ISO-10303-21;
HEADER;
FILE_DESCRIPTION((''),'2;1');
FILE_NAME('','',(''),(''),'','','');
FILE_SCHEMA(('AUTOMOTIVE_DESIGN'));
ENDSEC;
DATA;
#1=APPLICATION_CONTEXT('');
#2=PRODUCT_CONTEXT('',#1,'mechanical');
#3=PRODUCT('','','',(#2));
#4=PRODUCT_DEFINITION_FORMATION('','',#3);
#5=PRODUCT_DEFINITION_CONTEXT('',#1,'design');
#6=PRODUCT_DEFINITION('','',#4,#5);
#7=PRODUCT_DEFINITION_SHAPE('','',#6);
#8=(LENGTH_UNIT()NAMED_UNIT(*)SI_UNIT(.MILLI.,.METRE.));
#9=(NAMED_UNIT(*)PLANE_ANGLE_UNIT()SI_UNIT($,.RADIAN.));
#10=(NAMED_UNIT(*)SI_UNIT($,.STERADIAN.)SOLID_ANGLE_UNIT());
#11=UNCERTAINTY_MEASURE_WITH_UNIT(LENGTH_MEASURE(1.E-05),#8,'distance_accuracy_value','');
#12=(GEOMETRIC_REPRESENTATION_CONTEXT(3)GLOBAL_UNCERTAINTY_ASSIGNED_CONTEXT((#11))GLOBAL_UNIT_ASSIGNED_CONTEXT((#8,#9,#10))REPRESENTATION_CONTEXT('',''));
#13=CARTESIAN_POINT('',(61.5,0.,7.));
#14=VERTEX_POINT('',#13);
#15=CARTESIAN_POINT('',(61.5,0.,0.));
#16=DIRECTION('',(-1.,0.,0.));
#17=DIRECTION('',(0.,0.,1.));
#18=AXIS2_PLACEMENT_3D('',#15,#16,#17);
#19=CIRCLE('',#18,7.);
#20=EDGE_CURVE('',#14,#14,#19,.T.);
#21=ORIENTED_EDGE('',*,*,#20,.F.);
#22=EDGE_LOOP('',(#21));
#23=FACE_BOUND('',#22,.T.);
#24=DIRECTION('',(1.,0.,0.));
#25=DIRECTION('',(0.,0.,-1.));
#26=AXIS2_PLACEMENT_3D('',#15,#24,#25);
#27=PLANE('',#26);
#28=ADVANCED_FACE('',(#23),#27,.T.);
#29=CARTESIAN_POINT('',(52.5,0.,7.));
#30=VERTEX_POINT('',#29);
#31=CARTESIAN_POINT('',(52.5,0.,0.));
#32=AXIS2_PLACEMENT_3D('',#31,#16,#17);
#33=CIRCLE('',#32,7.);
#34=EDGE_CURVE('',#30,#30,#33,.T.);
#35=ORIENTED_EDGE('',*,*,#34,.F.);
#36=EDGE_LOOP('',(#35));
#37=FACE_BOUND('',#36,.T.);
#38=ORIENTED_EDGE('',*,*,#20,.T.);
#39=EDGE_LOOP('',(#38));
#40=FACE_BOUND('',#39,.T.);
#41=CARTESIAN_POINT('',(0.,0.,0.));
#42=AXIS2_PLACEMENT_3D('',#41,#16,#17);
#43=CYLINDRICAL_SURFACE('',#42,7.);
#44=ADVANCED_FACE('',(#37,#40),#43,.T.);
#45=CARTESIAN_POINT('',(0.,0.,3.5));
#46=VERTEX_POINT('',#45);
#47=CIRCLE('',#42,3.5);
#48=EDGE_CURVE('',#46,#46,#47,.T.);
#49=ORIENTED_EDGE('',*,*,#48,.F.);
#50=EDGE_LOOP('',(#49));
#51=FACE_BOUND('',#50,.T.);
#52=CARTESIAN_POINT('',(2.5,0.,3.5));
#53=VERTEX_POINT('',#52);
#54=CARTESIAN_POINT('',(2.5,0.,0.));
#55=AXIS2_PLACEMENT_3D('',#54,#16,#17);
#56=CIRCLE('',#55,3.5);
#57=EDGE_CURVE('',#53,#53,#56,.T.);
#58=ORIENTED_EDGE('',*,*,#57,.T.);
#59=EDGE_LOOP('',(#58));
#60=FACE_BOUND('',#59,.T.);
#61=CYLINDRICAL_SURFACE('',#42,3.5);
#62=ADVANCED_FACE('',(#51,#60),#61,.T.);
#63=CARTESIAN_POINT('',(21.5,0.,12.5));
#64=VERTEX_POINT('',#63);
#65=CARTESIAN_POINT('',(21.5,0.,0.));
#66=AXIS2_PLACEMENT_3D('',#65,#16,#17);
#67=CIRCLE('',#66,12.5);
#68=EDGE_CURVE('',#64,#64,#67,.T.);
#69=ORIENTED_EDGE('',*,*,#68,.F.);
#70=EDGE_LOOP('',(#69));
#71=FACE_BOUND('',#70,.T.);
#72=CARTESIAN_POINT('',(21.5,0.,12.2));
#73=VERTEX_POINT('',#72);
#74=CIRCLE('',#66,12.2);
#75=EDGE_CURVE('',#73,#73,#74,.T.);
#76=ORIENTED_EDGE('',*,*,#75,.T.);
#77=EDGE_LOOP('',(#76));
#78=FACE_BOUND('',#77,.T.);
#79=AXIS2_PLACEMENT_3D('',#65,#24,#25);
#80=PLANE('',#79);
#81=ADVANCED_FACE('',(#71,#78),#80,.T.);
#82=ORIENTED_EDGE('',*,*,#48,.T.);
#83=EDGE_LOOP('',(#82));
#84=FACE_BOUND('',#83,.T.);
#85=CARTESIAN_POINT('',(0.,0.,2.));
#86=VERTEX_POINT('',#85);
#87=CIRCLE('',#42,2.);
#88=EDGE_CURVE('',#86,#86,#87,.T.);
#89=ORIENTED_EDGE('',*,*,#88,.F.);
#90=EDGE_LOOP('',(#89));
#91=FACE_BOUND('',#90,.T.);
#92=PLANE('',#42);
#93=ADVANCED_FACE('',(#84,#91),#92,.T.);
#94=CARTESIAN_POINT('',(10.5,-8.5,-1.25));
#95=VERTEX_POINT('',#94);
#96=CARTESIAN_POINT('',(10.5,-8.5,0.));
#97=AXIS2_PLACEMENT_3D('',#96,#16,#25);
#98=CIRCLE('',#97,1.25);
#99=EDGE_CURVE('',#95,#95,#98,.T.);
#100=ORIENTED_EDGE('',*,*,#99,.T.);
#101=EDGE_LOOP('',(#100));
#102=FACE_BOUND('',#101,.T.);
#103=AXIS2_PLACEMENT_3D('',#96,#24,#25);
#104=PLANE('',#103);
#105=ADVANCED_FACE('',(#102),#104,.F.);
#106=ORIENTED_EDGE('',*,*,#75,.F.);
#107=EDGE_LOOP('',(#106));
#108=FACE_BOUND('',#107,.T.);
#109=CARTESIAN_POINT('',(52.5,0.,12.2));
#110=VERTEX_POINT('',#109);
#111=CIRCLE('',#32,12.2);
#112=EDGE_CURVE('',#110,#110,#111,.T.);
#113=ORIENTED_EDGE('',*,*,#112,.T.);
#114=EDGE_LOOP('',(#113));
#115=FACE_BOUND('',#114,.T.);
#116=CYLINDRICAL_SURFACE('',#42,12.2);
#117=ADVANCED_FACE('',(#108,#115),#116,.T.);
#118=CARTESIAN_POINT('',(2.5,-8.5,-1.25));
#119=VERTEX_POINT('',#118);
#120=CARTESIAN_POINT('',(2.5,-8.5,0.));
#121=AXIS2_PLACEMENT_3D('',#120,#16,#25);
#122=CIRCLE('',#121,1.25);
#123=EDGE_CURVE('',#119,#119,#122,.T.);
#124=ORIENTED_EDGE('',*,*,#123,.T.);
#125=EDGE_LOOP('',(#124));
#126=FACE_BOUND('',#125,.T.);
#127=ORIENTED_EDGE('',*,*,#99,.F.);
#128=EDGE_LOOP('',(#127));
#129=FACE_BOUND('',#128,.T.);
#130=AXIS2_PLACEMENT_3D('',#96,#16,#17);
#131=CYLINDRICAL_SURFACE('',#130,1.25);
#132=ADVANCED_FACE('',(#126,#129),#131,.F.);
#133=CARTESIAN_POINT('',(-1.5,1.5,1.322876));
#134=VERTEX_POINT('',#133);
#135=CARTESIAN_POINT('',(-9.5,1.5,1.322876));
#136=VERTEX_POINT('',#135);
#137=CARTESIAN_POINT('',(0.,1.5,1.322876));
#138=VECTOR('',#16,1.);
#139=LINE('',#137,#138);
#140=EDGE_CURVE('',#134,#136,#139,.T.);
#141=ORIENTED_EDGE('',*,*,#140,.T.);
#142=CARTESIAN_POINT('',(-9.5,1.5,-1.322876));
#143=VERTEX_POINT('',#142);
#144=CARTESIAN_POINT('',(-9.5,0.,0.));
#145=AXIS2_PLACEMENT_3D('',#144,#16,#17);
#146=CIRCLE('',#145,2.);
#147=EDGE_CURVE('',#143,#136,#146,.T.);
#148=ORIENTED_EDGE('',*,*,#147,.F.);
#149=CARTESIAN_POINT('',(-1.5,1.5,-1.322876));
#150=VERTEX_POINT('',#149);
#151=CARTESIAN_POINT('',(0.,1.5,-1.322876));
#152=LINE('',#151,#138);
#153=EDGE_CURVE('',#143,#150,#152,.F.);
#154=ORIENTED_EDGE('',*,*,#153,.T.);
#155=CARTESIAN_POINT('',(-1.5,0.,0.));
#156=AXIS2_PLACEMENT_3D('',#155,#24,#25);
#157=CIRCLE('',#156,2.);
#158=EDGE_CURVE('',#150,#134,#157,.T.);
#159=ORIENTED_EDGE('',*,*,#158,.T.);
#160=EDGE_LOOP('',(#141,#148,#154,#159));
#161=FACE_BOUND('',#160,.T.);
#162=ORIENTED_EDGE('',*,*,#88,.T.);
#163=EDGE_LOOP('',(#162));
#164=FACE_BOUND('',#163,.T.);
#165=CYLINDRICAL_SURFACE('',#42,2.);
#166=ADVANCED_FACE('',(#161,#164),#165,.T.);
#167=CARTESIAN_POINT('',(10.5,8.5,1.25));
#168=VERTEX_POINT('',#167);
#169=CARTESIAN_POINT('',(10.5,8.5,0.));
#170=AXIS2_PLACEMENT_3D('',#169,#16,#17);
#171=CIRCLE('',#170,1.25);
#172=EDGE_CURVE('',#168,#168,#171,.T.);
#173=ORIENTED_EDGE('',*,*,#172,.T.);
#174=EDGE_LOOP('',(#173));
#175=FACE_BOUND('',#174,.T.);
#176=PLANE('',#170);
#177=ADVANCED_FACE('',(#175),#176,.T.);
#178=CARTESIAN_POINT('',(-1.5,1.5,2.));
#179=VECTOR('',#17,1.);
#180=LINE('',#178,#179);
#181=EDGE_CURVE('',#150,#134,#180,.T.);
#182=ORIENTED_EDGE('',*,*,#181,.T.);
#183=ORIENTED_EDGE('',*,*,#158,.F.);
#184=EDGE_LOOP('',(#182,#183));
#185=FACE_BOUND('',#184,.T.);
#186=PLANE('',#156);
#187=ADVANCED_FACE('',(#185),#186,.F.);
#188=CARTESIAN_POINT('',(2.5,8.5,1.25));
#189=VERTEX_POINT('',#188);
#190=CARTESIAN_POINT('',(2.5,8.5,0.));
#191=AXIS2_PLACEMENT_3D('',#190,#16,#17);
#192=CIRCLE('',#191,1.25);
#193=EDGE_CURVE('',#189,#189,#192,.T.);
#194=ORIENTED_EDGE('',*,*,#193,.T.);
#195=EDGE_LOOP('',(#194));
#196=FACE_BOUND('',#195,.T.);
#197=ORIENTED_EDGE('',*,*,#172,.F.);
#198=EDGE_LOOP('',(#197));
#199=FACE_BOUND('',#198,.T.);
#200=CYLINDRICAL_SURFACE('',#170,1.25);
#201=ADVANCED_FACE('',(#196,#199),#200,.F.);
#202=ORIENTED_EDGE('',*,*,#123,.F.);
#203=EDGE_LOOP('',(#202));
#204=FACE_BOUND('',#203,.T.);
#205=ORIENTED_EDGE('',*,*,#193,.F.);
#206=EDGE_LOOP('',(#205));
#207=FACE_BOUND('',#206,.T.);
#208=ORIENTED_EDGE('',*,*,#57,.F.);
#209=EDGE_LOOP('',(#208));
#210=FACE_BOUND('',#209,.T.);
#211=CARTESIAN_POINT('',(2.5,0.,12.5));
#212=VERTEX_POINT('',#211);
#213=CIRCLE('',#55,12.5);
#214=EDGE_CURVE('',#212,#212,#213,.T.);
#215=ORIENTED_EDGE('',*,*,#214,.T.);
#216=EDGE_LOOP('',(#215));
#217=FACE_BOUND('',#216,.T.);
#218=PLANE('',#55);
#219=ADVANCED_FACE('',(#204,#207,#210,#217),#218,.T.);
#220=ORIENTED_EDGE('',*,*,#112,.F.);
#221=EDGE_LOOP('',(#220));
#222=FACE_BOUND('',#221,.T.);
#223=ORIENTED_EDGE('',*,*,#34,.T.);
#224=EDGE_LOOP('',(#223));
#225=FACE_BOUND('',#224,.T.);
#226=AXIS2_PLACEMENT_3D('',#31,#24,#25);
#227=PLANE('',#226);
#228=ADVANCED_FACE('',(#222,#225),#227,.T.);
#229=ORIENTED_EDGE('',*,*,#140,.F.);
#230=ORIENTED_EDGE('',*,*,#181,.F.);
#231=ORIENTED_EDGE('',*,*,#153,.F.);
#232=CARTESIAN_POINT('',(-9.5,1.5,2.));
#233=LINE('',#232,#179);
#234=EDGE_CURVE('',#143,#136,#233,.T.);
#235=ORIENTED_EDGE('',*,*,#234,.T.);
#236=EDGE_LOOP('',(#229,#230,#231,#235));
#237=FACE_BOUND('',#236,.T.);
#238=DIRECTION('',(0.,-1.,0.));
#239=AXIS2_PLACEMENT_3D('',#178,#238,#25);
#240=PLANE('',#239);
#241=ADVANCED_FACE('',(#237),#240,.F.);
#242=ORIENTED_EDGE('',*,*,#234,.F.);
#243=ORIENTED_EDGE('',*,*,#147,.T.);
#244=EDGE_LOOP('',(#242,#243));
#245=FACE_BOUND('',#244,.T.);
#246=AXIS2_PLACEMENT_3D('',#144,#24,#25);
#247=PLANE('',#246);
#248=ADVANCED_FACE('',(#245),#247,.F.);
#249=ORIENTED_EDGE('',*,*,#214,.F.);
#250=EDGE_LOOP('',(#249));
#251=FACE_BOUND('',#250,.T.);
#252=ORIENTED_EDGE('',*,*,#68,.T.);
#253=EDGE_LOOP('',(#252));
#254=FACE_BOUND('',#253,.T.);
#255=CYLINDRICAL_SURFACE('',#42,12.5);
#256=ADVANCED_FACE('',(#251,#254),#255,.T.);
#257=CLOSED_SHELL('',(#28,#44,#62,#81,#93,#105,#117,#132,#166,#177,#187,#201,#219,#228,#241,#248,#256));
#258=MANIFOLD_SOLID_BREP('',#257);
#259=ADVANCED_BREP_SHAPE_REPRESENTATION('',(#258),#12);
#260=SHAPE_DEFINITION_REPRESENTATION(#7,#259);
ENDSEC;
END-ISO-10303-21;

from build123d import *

# Parameters (mm, degrees)
SKETCH1_W          = 9.5
SKETCH1_H          = 2
SKETCH1_W_2        = 9
SKETCH1_H_2        = 7
SKETCH2_W          = 4
SKETCH2_H          = 0.5
CUT_EXTRUDE1_DEPTH = 8
SKETCH3_R          = 1.25
CUT_EXTRUDE2_DEPTH = 8


with BuildPart() as part:
    # Sketch1 → Revolve1 (revolve)
    with BuildSketch(Plane.XY, mode=Mode.PRIVATE) as revolve1_sk:
        with Locations((-4.75, 1)):
            Rectangle(SKETCH1_W, SKETCH1_H)
        Polygon((0, 2), (0, 0), (21.5, 0), (21.5, 12.2), (21.5, 12.5), (2.5, 12.5), (2.5, 3.5), (0, 3.5), align=None)
        Polygon((21.5, 12.2), (21.5, 0), (52.5, 0), (52.5, 7), (52.5, 12.2), align=None)
        with Locations((57, 3.5)):
            Rectangle(SKETCH1_W_2, SKETCH1_H_2)
    revolve(revolve1_sk.sketch.rotate(Axis((0, 0, 0), (1, 0, 0)), 90), axis=Axis((0, 0, 0), (1, 0, 0)))

    # Sketch2 → Cut-Extrude1 (cut)
    with BuildSketch(Plane.ZY.offset(9.5)):
        with Locations((0, 1.75)):
            Rectangle(SKETCH2_W, SKETCH2_H)
    extrude(amount=-CUT_EXTRUDE1_DEPTH, mode=Mode.SUBTRACT)

    # Sketch3 → Cut-Extrude2 (cut)
    with BuildSketch(Plane.ZY.offset(-2.5)):
        with Locations((0, 8.5)):
            Circle(SKETCH3_R)
        with Locations(Location((0, -8.5, 0), (0, 0, 180))):
            Circle(SKETCH3_R)
    extrude(amount=-CUT_EXTRUDE2_DEPTH, mode=Mode.SUBTRACT)


solid = part.part
